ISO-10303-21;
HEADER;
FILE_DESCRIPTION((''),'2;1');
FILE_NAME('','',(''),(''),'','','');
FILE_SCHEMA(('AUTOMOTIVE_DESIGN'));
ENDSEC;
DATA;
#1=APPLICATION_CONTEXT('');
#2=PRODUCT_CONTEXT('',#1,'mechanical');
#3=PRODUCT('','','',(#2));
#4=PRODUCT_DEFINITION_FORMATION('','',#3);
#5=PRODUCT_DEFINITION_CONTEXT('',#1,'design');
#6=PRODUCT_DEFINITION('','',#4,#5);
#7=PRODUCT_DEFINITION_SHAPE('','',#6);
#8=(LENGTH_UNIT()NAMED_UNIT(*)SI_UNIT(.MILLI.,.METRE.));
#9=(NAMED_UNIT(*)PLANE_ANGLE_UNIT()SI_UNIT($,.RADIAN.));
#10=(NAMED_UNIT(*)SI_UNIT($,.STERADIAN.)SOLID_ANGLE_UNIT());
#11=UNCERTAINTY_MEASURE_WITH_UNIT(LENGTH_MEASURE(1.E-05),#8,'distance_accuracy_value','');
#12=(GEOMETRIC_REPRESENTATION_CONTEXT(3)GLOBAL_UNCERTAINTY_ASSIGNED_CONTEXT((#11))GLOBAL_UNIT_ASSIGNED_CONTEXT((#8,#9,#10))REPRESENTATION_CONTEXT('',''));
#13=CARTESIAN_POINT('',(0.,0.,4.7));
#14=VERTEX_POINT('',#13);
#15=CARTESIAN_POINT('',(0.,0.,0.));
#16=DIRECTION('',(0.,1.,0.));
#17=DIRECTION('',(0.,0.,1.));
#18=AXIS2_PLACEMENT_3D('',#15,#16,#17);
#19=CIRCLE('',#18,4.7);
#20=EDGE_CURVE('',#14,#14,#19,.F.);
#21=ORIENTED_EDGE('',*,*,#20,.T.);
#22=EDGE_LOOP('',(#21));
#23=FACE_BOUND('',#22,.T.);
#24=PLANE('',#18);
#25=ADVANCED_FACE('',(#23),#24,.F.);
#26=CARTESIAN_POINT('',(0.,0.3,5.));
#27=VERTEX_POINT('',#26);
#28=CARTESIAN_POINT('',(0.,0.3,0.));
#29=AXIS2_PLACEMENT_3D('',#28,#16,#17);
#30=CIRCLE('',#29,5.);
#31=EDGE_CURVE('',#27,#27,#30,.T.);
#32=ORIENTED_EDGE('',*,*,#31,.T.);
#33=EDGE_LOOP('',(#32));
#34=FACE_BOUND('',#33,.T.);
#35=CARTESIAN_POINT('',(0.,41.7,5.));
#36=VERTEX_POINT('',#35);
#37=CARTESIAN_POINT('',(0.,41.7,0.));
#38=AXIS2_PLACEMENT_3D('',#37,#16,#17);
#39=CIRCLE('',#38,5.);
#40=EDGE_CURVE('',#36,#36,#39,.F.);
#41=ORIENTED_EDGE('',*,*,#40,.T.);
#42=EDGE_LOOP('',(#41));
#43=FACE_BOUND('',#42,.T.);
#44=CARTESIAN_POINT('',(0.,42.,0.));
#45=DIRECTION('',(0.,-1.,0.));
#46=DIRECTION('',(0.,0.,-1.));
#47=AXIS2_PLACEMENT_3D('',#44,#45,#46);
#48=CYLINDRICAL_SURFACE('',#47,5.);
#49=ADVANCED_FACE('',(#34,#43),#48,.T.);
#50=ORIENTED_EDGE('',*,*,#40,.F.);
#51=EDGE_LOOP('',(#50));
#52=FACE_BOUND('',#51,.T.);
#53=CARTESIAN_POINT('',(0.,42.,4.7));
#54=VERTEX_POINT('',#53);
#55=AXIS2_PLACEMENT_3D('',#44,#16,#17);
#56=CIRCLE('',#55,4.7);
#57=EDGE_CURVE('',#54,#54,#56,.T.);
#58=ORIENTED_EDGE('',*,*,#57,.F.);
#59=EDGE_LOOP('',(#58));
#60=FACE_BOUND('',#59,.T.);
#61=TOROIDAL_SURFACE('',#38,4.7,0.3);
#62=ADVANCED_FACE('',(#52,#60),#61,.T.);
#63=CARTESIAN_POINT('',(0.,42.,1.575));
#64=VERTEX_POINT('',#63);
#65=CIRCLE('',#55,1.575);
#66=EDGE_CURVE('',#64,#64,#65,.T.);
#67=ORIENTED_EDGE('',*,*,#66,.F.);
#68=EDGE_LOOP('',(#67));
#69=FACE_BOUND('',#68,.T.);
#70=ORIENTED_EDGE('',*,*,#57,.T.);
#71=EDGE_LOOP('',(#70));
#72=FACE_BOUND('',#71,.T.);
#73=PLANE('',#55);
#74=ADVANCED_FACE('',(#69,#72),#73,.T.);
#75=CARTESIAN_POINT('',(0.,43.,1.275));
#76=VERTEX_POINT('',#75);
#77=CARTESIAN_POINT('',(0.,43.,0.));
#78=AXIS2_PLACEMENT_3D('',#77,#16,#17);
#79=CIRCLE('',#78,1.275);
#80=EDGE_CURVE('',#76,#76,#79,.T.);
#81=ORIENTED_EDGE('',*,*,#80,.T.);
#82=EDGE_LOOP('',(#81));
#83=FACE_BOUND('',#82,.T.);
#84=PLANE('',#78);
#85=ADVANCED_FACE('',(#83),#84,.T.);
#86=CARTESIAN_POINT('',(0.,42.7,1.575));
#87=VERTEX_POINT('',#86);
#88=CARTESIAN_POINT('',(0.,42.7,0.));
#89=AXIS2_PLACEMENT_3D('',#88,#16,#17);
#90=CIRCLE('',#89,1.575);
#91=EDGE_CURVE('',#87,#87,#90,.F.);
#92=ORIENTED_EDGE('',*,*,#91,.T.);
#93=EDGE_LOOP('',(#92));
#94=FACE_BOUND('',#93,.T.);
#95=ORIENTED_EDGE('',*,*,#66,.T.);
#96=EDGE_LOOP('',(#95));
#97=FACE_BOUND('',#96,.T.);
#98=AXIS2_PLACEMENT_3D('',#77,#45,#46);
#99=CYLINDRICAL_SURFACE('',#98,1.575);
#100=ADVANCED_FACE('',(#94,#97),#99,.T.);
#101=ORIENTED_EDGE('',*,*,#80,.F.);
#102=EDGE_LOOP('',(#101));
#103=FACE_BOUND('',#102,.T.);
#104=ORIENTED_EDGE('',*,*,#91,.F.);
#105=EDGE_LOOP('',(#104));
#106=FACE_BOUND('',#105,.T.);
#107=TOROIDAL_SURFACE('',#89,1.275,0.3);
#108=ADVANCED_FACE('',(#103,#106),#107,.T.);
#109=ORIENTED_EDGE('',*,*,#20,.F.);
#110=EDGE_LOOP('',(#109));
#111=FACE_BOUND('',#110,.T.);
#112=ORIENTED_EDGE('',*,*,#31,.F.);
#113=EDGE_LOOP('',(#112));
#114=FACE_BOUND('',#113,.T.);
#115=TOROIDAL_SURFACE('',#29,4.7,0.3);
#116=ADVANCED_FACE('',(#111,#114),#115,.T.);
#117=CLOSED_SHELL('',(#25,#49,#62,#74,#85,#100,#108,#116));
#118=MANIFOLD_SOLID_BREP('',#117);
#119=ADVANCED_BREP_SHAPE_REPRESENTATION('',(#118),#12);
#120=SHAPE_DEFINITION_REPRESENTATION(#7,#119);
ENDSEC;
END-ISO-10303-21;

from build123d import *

# Parameters (mm, degrees)
SKETCH1_R           = 5
BOSS_EXTRUDE1_DEPTH = 42
SKETCH2_R           = 1.575
BOSS_EXTRUDE2_DEPTH = 1
FILLET1_R           = 0.3


with BuildPart() as part:
    # Sketch1 → Boss-Extrude1 (new body)
    with BuildSketch(Plane(origin=(0, 0, 0), x_dir=(1, 0, 0), z_dir=(0, 1, 0))):
        Circle(SKETCH1_R)
    extrude(amount=BOSS_EXTRUDE1_DEPTH)

    # Sketch2 → Boss-Extrude2 (add)
    with BuildSketch(Plane(origin=(0, 42, 0), x_dir=(1, 0, 0), z_dir=(0, 1, 0))):
        Circle(SKETCH2_R)
    extrude(amount=BOSS_EXTRUDE2_DEPTH)

    # Fillet1
    fillet1_edges = [part.edges().sort_by_distance(p)[0] for p in [
        (-5, 0, 0),
        (-5, 42, 0),
        (-1.575, 43, 0),
    ]]
    fillet(fillet1_edges, radius=FILLET1_R)


solid = part.part
